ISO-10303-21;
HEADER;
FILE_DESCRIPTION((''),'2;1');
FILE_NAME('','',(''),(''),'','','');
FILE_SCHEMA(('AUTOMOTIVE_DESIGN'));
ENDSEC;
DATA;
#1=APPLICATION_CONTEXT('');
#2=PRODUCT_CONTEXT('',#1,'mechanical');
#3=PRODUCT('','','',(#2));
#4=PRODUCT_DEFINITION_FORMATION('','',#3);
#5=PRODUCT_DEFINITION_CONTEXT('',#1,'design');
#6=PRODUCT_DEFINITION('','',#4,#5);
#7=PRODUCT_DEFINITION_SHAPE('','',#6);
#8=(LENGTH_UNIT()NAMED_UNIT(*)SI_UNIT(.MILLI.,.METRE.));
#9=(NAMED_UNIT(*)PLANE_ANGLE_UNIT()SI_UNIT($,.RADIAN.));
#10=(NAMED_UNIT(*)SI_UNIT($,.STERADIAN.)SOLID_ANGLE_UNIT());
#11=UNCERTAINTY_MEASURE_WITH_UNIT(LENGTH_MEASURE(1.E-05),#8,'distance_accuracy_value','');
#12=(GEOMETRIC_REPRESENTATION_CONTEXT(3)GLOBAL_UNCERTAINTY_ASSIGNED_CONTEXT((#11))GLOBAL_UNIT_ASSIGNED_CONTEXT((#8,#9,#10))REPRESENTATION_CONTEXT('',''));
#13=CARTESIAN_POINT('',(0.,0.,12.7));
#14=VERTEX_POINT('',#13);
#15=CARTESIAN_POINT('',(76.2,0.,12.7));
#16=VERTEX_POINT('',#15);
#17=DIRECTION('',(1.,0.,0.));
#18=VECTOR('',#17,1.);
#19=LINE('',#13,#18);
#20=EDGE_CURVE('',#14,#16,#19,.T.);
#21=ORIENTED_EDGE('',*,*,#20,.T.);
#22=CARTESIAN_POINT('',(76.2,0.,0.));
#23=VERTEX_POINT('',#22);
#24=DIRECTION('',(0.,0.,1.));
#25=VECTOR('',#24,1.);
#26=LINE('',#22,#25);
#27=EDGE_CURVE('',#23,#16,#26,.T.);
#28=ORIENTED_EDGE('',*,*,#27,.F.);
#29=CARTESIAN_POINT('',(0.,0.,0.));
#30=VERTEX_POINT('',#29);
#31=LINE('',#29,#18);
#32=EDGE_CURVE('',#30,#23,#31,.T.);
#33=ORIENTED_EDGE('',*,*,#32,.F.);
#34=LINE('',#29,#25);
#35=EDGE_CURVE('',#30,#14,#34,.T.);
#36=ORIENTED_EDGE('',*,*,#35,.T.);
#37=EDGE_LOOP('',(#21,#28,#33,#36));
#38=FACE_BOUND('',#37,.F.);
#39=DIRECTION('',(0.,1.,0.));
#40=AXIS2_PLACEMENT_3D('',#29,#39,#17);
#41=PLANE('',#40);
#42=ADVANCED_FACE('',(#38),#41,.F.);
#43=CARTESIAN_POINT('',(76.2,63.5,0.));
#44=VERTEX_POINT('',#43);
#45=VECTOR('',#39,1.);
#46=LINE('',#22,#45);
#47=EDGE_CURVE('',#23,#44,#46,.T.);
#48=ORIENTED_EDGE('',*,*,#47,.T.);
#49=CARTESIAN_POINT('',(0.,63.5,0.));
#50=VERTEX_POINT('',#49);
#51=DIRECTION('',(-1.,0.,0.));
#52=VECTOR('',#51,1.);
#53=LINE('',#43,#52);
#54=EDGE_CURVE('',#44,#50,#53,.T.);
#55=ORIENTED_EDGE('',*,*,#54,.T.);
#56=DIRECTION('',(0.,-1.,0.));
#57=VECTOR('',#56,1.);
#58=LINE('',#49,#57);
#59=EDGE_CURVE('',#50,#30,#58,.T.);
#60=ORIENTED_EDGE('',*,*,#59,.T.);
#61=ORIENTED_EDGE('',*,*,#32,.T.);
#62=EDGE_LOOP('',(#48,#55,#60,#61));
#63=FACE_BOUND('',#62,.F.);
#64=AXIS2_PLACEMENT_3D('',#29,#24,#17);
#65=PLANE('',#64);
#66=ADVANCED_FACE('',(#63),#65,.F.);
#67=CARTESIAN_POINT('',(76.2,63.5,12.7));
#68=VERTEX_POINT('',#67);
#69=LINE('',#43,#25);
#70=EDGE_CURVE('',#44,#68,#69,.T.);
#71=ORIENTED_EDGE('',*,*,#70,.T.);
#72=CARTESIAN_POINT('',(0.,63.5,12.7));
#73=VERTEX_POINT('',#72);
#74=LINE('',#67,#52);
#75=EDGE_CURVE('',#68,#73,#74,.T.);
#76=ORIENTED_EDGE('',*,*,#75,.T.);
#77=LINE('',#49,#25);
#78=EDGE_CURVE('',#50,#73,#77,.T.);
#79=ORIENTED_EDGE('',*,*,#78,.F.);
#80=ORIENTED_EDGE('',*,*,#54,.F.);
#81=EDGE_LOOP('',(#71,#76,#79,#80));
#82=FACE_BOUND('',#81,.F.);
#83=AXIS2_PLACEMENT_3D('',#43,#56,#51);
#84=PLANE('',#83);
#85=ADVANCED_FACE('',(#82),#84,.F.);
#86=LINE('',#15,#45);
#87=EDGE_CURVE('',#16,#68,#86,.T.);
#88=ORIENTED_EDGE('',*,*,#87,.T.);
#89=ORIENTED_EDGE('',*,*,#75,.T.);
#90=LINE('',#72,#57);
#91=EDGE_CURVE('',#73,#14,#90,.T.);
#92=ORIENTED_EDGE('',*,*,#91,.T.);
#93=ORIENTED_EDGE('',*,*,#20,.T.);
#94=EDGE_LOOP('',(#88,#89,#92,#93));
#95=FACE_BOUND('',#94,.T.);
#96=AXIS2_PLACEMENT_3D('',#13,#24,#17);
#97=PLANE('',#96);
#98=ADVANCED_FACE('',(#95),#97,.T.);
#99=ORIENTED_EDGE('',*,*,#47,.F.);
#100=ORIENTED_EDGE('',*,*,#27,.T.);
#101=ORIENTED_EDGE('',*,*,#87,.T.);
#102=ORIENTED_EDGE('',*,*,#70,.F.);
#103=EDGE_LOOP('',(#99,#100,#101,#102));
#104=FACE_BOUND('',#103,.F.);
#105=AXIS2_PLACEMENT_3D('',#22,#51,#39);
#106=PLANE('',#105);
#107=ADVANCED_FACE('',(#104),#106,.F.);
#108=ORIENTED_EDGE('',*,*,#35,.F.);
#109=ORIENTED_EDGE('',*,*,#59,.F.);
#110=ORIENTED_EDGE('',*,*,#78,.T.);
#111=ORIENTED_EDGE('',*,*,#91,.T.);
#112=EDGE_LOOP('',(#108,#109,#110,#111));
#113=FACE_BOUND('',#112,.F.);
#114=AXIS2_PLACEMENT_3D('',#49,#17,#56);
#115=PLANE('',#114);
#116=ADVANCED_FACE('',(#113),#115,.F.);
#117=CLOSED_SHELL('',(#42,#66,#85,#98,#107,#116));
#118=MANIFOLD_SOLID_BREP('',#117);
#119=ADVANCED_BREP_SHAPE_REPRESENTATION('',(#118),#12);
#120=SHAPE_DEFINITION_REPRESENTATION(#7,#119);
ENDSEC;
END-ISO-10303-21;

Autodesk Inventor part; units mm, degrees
ref_plane "YZ Plane" through (0, 0, 0) normal (1, 0, 0) x (0, 1, 0)
ref_plane "XZ Plane" through (0, 0, 0) normal (0, 1, 0) x (-1, 0, 0)
ref_plane "XY Plane" through (0, 0, 0) normal (0, 0, 1) x (1, 0, 0)
sketch "Sketch1" plane through (0, 0, 0) normal (0, 0, 1) x (1, 0, 0)
  line L0 (0, 0) -> (76.2, 0)
  line L1 (76.2, 0) -> (76.2, 63.5)
  line L2 (76.2, 63.5) -> (0, 63.5)
  line L3 (0, 63.5) -> (0, 0)
  dimension "d0" = 76.2
  dimension "d1" = 63.5
extrude "Extrusion1" add sketch "Sketch1" along normal blind 12.7
sketch "Sketch2" plane through (0, 0, 12.7) normal (0, 0, 1) x (1, 0, 0)
  line L0 (12.1491, 33.6) -> (74.6033, 33.6) construction
  line L1 (74.6033, 33.6) -> (74.6033, -11.9593) construction
  line L2 (74.6033, -11.9593) -> (12.1491, -11.9593) construction
  line L3 (12.1491, -11.9593) -> (12.1491, 33.6) construction
  point P0 (0, 0)
properties part number "sabertooth"
